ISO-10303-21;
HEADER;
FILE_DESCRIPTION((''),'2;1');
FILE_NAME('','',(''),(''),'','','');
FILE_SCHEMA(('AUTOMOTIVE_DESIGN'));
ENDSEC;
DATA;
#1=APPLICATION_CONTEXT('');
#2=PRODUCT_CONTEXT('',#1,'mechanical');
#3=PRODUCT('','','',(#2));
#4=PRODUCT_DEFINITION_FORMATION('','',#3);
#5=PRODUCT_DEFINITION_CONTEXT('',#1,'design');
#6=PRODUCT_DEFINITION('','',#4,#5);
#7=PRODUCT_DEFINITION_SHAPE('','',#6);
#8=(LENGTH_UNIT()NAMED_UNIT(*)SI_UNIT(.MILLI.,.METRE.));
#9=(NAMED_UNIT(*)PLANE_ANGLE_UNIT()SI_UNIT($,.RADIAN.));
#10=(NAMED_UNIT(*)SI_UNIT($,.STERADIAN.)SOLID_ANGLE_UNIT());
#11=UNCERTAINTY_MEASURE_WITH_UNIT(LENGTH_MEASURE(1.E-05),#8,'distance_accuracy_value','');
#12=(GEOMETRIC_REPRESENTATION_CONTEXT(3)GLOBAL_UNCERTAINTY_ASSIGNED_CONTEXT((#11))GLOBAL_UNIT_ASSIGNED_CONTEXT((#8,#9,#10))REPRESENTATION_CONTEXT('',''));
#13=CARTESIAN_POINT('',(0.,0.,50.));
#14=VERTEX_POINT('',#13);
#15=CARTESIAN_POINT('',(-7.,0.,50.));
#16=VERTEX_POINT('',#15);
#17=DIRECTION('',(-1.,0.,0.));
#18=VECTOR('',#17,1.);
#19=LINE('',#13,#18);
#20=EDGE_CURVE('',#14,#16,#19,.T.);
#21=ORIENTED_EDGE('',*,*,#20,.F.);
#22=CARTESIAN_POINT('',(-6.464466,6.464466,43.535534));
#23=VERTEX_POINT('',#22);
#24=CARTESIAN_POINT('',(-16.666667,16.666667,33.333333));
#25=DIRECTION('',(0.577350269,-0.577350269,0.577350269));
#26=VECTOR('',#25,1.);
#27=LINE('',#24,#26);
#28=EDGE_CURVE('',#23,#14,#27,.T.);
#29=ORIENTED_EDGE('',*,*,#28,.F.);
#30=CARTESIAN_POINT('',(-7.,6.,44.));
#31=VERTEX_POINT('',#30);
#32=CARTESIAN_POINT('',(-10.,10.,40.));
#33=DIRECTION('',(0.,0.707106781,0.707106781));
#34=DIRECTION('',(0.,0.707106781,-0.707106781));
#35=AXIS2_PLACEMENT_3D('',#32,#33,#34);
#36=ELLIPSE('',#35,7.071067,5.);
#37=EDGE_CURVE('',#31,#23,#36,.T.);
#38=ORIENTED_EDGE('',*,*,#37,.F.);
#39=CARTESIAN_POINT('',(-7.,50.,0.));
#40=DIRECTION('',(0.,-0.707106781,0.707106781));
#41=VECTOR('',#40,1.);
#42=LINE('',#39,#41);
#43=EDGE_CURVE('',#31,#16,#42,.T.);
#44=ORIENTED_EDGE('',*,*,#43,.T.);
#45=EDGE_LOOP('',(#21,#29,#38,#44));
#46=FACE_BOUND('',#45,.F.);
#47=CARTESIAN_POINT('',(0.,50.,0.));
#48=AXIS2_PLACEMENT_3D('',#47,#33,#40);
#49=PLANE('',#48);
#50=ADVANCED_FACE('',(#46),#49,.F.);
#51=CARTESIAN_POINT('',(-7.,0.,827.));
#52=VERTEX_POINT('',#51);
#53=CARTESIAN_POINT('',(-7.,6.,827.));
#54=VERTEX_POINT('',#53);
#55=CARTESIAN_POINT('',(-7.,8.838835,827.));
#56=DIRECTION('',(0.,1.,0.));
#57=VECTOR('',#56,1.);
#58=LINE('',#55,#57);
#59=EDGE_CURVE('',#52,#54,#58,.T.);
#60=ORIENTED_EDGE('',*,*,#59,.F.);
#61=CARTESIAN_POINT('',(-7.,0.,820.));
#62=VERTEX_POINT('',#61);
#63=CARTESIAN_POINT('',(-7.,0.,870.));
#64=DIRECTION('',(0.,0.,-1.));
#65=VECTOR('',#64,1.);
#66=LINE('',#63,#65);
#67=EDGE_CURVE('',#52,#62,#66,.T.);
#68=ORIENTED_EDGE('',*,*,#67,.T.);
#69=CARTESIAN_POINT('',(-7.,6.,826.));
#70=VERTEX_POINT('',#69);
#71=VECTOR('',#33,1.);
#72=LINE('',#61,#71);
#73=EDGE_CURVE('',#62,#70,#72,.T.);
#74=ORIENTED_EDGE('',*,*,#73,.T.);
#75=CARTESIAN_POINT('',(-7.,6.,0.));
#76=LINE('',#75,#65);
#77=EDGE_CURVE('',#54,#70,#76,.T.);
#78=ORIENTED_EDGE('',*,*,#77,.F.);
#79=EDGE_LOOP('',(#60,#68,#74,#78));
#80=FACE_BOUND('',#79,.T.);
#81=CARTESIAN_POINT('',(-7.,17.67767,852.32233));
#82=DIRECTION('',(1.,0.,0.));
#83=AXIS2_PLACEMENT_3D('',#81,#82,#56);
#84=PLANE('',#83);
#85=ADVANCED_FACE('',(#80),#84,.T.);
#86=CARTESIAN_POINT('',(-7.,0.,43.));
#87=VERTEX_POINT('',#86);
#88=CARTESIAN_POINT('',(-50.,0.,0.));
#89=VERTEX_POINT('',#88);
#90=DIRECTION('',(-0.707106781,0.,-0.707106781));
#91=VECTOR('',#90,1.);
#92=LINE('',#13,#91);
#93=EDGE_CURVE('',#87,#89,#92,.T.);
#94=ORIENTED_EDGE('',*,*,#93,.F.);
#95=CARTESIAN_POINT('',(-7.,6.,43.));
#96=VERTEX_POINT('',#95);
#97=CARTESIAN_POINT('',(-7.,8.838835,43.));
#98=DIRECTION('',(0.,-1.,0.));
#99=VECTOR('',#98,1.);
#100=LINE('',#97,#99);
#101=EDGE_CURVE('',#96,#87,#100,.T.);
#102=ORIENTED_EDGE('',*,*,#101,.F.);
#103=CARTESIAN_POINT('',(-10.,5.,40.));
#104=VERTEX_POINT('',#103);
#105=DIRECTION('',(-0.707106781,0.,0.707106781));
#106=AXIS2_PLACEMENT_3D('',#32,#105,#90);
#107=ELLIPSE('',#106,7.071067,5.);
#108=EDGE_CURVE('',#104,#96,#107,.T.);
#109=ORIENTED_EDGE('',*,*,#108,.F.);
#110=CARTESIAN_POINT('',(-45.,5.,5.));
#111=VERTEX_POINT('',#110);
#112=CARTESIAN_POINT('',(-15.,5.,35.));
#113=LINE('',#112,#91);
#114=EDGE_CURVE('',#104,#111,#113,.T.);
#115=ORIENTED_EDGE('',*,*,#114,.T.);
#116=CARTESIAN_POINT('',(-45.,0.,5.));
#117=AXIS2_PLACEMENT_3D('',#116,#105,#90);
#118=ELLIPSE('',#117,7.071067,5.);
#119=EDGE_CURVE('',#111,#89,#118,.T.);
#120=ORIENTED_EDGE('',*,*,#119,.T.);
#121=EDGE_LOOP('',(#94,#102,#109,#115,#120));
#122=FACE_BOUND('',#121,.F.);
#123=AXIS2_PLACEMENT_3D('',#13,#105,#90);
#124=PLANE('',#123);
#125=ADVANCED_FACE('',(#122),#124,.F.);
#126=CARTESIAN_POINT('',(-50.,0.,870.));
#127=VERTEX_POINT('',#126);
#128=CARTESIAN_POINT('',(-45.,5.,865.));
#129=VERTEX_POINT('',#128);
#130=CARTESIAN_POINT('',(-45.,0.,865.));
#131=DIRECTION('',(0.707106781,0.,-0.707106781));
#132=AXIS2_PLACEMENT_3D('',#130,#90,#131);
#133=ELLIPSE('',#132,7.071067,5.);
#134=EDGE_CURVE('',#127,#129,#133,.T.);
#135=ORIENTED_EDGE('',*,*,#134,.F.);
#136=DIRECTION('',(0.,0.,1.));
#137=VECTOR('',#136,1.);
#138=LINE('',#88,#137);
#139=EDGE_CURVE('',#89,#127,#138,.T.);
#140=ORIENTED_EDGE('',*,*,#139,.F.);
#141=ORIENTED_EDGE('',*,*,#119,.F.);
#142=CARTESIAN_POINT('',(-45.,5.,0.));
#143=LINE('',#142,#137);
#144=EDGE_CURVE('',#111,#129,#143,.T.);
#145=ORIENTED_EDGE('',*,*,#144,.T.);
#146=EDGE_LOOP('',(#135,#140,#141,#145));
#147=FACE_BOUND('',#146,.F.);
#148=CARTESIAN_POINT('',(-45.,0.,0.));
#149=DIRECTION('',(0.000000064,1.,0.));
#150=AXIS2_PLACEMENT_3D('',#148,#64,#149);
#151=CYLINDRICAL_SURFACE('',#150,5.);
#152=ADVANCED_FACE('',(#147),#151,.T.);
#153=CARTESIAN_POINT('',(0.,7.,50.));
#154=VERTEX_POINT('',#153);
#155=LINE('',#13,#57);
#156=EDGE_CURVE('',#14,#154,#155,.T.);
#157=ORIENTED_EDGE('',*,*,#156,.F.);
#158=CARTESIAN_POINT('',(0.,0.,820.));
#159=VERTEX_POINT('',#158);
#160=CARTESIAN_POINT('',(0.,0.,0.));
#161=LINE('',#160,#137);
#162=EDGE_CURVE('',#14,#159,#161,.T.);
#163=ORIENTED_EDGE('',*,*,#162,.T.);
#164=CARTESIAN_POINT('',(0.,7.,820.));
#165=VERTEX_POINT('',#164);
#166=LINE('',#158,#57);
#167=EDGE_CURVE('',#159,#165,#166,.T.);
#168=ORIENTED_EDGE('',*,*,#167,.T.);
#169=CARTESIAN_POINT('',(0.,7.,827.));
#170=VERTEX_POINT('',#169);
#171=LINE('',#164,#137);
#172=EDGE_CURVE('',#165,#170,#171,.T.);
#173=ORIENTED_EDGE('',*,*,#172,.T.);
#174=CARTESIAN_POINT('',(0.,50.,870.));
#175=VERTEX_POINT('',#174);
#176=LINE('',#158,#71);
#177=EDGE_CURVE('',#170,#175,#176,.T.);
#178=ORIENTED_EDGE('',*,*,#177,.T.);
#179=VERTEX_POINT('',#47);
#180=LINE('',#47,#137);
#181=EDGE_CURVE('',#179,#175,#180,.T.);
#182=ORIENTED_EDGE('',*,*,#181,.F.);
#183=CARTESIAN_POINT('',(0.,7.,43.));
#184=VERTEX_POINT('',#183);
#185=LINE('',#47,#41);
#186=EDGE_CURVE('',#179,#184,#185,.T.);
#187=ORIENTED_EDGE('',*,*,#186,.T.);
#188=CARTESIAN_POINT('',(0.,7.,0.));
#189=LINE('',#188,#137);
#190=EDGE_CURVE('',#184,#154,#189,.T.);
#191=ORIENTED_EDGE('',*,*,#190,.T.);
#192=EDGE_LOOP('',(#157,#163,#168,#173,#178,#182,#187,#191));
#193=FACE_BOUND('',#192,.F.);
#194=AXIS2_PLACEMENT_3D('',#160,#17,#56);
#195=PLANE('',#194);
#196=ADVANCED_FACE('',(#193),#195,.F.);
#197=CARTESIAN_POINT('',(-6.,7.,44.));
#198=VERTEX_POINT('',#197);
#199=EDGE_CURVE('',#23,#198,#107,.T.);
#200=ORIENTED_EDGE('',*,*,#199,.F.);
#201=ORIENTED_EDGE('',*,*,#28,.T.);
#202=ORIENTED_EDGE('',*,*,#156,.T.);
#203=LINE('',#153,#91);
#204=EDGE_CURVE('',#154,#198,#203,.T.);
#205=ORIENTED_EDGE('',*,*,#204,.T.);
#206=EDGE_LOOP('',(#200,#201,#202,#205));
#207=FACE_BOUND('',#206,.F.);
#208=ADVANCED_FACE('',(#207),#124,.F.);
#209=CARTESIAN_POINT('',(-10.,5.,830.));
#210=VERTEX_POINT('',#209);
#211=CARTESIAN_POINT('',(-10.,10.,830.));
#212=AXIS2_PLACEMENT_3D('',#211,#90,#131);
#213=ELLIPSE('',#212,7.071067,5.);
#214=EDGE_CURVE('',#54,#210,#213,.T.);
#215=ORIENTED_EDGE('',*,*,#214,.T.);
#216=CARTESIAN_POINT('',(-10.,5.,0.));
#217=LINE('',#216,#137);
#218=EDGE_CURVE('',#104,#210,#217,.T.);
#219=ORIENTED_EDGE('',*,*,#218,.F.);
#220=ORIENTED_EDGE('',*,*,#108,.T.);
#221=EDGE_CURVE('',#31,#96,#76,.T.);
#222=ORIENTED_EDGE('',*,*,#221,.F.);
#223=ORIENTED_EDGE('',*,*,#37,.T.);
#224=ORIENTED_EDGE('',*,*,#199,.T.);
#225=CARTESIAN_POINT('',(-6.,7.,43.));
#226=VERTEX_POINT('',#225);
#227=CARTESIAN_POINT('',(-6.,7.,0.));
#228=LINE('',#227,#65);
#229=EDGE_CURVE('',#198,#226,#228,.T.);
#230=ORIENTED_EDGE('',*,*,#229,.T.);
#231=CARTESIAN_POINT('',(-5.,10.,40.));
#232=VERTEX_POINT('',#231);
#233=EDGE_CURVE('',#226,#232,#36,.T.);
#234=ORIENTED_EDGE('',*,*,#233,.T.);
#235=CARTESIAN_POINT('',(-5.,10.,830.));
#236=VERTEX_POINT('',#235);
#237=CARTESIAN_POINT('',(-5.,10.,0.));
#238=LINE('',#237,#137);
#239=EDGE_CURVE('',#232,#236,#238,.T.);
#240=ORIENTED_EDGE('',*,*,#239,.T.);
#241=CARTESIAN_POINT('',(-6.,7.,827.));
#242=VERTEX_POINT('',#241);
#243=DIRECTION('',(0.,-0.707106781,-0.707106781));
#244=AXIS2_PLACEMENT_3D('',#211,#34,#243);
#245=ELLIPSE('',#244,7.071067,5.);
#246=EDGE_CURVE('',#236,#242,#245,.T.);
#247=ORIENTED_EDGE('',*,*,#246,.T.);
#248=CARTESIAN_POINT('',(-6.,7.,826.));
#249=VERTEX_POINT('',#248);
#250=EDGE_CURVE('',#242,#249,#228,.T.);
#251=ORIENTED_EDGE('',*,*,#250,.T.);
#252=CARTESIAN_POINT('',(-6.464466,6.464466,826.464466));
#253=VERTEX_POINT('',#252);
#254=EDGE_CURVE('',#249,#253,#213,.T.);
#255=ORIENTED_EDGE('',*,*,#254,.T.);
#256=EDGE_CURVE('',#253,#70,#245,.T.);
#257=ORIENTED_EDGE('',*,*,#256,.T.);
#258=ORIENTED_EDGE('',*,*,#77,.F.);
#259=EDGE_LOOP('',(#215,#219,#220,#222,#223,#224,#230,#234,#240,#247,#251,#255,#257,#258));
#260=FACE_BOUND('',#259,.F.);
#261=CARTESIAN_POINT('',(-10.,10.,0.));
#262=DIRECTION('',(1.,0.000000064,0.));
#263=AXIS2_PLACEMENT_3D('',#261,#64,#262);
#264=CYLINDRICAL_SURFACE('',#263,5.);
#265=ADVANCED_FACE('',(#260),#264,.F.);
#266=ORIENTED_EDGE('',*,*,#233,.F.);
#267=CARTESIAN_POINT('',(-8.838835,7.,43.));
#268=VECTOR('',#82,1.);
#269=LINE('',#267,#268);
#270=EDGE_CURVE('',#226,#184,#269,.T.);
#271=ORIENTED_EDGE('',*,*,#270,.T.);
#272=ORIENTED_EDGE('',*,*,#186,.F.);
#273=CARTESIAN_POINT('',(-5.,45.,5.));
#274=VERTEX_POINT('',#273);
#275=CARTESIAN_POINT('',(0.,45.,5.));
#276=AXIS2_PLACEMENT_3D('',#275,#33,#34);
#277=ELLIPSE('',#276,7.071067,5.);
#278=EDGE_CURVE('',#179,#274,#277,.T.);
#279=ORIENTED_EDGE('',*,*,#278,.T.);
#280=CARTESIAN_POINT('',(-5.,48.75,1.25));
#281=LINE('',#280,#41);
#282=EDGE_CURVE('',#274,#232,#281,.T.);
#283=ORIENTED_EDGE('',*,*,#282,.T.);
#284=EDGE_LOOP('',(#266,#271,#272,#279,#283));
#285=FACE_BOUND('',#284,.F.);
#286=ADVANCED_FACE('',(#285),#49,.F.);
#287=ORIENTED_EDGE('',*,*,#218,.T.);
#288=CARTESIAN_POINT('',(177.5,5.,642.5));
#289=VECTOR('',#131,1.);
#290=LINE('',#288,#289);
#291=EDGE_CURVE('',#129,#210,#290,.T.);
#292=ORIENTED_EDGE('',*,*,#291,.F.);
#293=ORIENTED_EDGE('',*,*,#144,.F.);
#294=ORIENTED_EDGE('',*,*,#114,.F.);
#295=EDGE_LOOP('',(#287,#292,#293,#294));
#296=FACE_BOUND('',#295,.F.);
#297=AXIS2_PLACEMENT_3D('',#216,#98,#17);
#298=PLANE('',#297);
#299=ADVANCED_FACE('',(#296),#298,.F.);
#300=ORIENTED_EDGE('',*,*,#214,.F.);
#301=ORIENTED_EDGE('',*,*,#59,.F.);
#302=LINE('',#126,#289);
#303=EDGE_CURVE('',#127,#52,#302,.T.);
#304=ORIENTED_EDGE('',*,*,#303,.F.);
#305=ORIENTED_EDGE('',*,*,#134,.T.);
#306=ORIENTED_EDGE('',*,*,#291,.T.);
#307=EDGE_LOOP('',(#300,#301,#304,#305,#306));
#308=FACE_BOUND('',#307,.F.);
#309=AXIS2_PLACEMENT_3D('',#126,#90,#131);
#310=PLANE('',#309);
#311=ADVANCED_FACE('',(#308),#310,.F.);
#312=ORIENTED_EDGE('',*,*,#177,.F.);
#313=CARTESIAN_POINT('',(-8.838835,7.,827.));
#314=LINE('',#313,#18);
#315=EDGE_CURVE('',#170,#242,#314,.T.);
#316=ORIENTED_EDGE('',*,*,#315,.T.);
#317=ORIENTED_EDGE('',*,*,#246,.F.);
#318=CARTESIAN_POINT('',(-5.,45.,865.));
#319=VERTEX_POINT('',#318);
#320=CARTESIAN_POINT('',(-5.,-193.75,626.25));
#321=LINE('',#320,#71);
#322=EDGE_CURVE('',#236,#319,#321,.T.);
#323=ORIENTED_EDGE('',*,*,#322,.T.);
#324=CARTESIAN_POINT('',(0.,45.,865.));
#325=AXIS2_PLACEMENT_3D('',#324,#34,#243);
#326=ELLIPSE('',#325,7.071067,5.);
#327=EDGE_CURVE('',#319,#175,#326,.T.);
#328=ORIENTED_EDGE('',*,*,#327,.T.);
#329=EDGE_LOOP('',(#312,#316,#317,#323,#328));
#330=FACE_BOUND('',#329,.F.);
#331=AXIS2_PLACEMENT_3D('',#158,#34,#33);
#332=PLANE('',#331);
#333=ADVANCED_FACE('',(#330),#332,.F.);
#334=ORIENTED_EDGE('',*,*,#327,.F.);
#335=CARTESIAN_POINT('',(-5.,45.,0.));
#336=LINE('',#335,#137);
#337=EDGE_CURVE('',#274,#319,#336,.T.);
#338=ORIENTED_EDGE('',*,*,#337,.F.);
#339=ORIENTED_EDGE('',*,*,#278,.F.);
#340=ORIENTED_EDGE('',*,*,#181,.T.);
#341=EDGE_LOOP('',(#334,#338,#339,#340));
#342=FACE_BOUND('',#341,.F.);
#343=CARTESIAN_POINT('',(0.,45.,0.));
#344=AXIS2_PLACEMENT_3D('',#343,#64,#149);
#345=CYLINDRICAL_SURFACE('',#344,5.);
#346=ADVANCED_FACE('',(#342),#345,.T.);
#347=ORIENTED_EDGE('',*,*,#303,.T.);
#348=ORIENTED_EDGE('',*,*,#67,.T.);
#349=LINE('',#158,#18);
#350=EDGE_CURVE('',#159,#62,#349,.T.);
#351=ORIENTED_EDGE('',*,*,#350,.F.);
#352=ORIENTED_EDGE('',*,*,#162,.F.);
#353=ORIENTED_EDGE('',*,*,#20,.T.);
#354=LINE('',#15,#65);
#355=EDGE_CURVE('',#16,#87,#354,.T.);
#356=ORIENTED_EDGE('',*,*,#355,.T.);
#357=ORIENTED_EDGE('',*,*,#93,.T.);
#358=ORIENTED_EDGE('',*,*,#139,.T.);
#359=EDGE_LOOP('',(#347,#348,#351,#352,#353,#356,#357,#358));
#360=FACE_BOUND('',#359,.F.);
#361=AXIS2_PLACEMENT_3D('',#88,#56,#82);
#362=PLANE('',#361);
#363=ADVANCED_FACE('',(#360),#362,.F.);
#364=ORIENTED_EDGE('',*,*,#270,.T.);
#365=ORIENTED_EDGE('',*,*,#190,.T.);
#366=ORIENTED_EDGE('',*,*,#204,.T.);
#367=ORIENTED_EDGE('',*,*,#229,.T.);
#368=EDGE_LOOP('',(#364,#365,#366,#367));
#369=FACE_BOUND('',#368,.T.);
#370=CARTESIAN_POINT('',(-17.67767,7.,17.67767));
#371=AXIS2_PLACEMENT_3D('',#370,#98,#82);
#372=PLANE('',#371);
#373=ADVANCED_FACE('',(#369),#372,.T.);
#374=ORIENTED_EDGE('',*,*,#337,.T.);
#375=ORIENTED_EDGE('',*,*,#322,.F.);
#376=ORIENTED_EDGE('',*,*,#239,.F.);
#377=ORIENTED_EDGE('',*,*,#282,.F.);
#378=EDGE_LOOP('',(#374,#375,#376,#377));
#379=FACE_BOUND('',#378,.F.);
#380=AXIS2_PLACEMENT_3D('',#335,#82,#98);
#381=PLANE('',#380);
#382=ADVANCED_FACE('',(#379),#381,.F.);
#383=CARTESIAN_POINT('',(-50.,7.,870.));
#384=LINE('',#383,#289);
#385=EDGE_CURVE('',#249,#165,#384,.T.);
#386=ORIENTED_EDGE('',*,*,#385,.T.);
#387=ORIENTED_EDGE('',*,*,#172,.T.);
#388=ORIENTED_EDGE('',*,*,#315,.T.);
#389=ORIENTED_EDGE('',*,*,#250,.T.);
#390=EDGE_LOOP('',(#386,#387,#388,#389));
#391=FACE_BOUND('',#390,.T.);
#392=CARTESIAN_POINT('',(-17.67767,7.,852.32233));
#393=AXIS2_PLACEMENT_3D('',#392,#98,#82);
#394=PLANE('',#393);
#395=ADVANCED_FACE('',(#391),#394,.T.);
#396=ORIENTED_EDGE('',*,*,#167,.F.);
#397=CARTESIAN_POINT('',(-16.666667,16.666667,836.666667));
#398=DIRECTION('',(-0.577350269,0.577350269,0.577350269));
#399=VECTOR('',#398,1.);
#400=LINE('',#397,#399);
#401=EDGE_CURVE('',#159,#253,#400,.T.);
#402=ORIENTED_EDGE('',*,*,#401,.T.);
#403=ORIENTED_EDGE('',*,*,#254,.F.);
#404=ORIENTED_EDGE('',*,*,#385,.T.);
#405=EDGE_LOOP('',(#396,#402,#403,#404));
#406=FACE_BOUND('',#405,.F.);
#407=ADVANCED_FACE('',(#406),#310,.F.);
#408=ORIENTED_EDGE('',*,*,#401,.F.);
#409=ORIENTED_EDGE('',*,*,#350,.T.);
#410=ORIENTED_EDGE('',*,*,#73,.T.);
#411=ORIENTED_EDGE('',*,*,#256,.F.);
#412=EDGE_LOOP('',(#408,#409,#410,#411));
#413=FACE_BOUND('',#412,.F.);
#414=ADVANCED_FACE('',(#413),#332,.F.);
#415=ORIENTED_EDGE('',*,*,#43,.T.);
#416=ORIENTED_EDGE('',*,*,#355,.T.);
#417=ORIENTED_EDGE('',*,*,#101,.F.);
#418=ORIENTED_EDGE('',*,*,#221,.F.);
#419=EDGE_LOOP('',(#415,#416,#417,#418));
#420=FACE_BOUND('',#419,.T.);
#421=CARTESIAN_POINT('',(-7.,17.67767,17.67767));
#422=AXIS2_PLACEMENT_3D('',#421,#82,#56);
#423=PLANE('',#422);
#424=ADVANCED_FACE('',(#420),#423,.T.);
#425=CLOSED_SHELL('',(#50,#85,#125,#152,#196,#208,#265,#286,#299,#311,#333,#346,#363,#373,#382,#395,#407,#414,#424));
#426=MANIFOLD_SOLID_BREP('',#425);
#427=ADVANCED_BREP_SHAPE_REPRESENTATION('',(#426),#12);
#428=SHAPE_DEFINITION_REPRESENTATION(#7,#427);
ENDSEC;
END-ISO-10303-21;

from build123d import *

# Parameters (mm, degrees)
F1_DEPTH = 870
F6_DEPTH = 7
F7_DEPTH = 7


with BuildPart() as f1:
    # F0 (on Top) → F1 (new body)
    with BuildSketch(Plane.XY):
        with BuildLine():
            Line((-50, 0), (0, 0))
            Line((0, 0), (0, 50))
            ThreePointArc((0, 50), (-3.535534, 48.535534), (-5, 45))
            Line((-5, 45), (-5, 10))
            ThreePointArc((-5, 10), (-6.464466, 6.464466), (-10, 5))
            Line((-10, 5), (-45, 5))
            ThreePointArc((-45, 5), (-48.535534, 3.535534), (-50, 0))
        make_face()
    extrude(amount=F1_DEPTH)

    # F3 (on face) + F4 (on face) → F6 (cut)
    with BuildSketch(Plane.YZ):
        Polygon((0, 820), (50, 870), (0, 870), align=None)
    with BuildSketch(Plane.YZ):
        Polygon((0, 0), (50, 0), (0, 50), align=None)
    extrude(amount=-F6_DEPTH, mode=Mode.SUBTRACT)

    # F2 (on face) → F7 (cut)
    with BuildSketch(Plane.XZ):
        Polygon((0, 870), (-50, 870), (0, 820), align=None)
        Polygon((0, 50), (-50, 0), (0, 0), align=None)
    extrude(amount=-F7_DEPTH, mode=Mode.SUBTRACT)


solid = f1.part
